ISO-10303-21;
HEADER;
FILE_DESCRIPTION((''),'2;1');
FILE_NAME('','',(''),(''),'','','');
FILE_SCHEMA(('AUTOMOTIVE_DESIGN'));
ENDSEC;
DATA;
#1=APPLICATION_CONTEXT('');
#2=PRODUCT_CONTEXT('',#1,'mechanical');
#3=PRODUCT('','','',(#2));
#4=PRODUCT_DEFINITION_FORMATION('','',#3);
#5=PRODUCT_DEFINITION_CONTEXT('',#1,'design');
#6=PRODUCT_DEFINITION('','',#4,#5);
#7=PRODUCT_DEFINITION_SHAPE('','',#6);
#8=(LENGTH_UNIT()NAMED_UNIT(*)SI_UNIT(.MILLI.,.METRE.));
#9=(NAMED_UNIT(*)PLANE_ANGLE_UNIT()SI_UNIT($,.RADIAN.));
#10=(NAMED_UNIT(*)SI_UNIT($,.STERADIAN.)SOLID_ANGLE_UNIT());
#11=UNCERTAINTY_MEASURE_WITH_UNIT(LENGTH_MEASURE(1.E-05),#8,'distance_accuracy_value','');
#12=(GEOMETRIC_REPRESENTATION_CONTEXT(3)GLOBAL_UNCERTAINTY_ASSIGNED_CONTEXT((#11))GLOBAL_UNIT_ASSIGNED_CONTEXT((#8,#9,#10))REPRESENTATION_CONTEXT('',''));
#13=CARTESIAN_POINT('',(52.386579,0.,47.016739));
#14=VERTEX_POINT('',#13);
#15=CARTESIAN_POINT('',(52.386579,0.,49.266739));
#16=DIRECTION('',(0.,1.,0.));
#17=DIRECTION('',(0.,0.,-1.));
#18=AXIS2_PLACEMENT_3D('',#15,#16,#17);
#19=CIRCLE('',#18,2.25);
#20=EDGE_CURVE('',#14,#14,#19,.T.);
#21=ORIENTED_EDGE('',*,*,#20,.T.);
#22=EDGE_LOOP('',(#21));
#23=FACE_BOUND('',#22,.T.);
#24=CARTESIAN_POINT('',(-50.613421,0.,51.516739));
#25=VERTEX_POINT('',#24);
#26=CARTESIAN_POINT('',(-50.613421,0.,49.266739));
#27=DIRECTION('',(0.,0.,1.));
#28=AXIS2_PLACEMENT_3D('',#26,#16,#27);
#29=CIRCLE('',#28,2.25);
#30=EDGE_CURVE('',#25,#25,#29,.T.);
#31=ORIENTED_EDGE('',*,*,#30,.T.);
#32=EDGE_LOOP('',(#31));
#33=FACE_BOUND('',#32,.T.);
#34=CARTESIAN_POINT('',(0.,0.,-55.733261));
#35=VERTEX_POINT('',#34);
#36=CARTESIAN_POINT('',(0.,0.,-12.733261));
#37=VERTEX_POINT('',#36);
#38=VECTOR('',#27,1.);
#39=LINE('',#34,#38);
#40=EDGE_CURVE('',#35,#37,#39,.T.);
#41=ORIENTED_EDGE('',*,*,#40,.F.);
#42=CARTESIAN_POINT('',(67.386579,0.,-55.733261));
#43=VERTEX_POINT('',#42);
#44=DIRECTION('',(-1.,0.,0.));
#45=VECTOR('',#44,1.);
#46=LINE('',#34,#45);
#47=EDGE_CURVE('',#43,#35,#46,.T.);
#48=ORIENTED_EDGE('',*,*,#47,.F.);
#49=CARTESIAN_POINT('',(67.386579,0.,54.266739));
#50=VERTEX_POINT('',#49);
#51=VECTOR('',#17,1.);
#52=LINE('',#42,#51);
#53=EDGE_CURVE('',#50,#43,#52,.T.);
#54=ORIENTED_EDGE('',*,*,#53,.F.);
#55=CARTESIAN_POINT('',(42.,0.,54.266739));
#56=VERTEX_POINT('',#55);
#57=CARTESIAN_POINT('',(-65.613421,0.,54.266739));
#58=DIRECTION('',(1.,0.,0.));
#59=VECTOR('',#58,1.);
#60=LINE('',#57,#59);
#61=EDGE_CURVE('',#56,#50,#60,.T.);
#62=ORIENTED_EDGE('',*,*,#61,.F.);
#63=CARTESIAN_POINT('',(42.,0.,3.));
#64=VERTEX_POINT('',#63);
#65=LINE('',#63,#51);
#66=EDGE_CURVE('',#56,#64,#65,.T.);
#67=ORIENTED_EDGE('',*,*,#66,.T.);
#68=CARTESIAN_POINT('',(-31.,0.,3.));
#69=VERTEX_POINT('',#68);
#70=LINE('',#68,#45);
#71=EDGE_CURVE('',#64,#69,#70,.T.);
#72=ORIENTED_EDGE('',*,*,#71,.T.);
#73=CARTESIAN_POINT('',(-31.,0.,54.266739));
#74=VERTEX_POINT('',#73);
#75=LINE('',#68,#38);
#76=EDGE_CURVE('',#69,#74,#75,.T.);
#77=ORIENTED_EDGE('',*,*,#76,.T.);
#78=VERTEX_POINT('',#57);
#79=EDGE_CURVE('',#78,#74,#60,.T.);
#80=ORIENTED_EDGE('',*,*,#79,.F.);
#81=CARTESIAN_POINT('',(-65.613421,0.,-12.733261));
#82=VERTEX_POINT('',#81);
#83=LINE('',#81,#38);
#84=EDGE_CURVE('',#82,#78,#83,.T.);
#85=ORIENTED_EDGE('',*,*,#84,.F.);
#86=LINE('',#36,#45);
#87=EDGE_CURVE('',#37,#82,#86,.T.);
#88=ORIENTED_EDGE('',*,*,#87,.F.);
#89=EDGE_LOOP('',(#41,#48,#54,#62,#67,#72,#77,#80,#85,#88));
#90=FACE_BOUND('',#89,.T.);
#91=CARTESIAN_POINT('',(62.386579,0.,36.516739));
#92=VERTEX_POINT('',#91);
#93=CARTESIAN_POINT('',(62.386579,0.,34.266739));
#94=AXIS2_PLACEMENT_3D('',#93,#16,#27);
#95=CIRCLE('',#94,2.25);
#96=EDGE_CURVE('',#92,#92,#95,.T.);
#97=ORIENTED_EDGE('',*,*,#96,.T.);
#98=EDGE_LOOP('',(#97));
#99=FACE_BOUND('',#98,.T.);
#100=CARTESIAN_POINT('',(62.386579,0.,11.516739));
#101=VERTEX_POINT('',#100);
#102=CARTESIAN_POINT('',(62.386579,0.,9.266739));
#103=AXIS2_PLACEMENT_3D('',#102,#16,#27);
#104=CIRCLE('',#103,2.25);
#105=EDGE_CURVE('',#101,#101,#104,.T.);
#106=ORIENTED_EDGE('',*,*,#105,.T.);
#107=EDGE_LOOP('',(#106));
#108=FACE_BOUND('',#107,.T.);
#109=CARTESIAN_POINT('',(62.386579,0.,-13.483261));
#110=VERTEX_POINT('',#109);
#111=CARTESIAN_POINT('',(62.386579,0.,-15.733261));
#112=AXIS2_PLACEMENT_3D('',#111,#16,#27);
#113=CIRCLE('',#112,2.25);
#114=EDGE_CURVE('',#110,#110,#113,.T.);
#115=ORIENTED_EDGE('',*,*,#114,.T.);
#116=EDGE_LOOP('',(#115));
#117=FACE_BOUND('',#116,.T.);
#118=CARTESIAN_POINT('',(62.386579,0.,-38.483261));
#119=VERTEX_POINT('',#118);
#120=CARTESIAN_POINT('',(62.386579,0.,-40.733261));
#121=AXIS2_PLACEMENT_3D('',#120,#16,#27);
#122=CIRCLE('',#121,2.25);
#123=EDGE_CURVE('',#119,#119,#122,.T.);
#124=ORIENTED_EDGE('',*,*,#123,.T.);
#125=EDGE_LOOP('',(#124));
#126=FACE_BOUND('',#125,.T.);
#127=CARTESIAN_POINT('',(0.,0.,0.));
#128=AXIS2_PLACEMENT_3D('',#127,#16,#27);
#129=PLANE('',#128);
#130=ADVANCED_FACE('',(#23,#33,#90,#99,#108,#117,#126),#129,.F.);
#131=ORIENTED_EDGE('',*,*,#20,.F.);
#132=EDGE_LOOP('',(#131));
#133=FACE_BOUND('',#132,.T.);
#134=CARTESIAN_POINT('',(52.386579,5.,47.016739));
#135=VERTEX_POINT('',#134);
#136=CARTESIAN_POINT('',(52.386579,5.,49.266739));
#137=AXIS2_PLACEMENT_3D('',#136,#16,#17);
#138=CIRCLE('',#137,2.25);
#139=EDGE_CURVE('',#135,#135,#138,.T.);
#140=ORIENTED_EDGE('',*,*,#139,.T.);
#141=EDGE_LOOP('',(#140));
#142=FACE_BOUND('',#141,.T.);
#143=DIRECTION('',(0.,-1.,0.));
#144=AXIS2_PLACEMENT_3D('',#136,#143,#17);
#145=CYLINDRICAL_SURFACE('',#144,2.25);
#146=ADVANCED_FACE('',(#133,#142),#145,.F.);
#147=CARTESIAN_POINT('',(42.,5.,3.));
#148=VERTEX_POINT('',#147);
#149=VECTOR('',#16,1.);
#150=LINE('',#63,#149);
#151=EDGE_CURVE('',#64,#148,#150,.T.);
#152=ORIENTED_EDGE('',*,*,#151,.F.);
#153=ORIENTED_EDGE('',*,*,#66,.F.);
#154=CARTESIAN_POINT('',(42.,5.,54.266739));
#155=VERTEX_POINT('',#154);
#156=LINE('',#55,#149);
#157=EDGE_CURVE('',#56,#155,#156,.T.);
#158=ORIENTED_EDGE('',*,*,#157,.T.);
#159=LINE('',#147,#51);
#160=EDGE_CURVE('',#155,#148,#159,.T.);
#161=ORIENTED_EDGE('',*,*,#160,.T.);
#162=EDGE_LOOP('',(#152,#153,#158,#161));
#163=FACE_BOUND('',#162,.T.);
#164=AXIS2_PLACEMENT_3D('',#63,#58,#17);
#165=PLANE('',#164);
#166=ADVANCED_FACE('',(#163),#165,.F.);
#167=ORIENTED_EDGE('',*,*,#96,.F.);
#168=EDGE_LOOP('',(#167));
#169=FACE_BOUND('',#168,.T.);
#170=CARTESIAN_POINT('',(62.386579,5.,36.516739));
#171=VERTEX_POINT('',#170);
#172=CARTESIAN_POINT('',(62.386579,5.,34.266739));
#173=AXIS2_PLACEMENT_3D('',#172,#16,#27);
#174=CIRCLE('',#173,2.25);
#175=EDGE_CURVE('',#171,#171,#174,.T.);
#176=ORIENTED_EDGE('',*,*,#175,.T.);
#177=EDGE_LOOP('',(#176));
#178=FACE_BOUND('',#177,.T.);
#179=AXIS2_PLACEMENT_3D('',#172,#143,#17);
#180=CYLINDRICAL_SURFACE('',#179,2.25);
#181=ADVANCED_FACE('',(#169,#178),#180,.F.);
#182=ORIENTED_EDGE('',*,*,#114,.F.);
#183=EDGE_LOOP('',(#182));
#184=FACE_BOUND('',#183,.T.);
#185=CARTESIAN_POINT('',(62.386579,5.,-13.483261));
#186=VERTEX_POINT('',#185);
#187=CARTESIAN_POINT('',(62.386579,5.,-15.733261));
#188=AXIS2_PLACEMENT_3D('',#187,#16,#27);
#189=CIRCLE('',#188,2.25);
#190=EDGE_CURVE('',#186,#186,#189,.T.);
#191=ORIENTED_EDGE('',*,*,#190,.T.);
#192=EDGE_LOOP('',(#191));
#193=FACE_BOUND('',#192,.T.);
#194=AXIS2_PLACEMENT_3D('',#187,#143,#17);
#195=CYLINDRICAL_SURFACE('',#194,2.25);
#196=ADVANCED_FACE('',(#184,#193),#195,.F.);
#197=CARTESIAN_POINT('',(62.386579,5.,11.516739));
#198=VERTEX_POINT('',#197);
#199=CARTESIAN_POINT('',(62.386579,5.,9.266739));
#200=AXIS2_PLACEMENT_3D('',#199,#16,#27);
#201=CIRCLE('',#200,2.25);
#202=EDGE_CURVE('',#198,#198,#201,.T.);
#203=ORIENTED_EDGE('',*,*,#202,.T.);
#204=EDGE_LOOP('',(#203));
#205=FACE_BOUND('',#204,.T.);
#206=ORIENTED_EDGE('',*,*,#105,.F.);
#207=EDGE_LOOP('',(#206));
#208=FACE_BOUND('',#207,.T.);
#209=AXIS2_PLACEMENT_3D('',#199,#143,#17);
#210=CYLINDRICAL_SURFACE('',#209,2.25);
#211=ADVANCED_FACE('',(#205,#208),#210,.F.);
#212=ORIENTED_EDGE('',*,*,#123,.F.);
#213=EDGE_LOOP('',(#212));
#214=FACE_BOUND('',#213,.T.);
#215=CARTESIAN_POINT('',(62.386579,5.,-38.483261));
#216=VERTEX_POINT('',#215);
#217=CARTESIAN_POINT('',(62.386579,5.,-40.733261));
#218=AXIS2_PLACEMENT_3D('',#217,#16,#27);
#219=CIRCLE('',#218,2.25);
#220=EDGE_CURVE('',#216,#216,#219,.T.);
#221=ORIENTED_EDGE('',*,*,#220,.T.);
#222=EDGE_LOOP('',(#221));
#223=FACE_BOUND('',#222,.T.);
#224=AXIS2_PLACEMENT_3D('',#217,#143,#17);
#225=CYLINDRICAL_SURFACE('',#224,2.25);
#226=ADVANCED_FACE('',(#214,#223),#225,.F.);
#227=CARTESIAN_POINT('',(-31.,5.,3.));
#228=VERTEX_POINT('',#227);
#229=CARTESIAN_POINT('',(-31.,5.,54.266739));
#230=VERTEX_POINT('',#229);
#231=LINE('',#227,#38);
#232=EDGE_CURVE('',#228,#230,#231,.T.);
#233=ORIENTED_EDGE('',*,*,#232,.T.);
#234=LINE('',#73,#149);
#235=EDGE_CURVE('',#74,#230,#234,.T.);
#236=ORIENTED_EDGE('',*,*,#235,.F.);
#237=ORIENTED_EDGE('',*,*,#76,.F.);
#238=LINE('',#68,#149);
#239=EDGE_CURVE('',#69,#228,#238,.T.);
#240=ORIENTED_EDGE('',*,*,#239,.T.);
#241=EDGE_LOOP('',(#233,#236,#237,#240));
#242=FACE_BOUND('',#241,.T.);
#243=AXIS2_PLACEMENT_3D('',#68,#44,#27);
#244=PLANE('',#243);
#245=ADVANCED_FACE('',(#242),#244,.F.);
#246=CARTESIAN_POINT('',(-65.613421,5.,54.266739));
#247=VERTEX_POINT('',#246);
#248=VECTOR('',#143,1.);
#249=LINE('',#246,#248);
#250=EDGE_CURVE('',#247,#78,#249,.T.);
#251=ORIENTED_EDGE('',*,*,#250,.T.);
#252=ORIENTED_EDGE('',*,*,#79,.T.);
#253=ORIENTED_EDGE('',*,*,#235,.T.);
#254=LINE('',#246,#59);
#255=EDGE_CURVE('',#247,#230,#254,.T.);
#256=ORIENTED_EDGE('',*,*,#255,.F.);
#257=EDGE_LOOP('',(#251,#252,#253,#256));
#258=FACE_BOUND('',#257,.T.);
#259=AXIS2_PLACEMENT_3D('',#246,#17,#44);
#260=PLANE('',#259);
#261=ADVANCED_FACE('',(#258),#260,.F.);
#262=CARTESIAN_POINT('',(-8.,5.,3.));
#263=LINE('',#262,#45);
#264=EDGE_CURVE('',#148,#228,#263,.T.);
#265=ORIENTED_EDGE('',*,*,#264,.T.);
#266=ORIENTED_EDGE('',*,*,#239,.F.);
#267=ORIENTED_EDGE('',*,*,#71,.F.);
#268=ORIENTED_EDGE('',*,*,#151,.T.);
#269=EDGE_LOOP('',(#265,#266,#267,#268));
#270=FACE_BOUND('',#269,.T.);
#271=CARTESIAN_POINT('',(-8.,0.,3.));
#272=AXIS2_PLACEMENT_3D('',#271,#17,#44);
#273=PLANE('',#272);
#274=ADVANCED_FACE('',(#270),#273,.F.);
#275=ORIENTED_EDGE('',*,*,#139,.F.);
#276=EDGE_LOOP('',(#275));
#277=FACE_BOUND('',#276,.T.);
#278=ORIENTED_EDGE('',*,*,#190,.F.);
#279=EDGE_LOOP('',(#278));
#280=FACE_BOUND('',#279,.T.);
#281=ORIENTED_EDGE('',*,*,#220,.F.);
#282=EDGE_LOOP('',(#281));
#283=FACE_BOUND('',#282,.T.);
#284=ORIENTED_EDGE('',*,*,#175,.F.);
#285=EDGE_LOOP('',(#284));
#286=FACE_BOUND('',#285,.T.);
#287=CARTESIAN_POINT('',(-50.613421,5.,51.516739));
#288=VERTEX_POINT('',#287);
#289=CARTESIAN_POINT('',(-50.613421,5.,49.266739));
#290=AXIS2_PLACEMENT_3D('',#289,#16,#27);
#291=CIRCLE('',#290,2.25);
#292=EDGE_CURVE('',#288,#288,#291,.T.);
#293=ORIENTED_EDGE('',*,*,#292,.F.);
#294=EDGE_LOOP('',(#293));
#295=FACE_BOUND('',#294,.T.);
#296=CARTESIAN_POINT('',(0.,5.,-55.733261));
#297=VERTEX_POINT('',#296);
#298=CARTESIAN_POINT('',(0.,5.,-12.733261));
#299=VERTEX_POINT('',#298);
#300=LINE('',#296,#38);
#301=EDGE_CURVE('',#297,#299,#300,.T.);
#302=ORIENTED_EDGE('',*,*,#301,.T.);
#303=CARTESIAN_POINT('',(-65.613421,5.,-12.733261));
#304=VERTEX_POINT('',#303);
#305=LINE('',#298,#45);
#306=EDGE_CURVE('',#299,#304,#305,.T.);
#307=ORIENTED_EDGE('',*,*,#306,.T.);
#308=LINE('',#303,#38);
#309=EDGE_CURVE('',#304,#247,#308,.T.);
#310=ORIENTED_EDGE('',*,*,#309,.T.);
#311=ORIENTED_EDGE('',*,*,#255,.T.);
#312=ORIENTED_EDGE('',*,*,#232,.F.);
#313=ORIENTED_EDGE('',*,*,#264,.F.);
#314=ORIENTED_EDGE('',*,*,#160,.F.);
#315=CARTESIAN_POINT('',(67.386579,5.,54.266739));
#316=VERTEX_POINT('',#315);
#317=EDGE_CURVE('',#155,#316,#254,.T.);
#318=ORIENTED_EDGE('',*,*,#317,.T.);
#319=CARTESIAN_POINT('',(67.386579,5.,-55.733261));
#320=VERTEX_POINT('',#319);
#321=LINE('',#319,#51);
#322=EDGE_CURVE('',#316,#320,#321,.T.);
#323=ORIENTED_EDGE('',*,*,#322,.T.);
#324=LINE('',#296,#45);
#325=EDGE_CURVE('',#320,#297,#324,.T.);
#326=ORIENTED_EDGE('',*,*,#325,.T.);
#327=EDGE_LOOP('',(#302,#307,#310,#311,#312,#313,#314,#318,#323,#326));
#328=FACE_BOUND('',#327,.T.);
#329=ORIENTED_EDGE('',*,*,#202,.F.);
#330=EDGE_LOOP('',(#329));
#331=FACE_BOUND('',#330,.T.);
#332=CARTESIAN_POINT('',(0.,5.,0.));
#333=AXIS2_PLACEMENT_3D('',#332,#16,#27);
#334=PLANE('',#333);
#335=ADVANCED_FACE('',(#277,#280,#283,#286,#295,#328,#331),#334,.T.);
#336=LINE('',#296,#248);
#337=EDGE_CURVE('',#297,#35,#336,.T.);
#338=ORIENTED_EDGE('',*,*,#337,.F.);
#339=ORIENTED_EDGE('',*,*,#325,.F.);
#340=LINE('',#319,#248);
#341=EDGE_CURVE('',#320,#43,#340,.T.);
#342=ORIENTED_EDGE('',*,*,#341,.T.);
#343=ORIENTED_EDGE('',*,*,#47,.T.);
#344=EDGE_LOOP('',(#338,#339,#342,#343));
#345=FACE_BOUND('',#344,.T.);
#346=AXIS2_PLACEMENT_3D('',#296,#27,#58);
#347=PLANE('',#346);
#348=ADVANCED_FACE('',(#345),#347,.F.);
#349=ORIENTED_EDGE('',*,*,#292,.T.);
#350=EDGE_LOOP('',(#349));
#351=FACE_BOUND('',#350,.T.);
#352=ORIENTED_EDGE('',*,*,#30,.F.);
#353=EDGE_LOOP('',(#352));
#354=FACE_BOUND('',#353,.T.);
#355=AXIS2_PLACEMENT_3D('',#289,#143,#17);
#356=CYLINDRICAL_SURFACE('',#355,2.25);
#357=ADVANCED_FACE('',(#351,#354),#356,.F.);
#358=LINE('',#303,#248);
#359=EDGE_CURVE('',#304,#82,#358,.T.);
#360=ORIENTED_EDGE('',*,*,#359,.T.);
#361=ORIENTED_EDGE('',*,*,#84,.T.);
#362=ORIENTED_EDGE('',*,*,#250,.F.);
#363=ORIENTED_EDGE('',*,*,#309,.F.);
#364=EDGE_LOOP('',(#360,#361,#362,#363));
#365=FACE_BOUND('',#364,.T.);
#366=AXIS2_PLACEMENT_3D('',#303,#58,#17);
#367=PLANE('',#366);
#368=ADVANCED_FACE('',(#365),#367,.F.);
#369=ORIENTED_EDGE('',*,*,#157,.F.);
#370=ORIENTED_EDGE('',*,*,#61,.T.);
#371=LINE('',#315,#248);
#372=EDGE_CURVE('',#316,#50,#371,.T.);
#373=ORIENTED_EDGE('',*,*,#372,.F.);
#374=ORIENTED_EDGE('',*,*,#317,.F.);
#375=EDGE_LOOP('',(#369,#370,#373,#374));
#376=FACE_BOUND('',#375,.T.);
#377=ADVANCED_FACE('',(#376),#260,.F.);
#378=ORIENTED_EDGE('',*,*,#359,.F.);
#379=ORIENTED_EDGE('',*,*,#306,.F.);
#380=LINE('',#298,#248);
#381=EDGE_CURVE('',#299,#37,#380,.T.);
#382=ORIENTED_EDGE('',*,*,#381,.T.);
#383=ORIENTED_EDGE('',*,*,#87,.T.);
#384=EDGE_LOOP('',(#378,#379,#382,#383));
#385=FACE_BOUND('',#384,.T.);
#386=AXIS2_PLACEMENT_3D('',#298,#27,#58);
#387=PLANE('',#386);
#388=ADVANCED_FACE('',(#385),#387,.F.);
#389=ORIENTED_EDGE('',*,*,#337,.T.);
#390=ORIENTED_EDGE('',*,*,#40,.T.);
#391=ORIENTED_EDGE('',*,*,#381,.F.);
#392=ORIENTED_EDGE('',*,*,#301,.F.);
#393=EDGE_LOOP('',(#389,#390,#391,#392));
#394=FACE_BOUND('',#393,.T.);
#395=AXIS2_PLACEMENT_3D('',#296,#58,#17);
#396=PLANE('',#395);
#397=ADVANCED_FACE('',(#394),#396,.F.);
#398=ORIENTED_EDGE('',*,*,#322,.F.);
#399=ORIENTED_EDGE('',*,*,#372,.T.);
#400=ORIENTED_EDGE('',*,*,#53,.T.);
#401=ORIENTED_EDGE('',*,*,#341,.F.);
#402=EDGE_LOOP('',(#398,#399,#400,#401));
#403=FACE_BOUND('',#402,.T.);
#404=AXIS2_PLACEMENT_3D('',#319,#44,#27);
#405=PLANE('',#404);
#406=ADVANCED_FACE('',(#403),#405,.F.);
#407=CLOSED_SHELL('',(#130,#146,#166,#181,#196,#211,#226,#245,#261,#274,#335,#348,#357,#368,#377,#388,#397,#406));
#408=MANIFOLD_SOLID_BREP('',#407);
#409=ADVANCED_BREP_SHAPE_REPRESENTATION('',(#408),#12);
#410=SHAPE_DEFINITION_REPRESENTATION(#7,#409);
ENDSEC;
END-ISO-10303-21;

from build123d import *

# Parameters (mm, degrees)
SKETCH1_R           = 2.25
BOSS_EXTRUDE1_DEPTH = 5
CUT_EXTRUDE1_DEPTH  = 5


with BuildPart() as part:
    # Sketch1 → Boss-Extrude1 (new body)
    with BuildSketch(Plane(origin=(0, 0, 0), x_dir=(1, 0, 0), z_dir=(0, 1, 0))):
        Polygon((0, 55.733260811), (0, 12.733260811), (-65.613421019, 12.733260811), (-65.613421019, -54.266739189), (67.386578981, -54.266739189), (67.386578981, 55.733260811), align=None)
        with Locations((62.386578981, 40.733260811)):
            Circle(SKETCH1_R, mode=Mode.SUBTRACT)
        with Locations((62.386578981, 15.733260811)):
            Circle(SKETCH1_R, mode=Mode.SUBTRACT)
        with Locations((62.386578981, -9.266739189)):
            Circle(SKETCH1_R, mode=Mode.SUBTRACT)
        with Locations((62.386578981, -34.266739189)):
            Circle(SKETCH1_R, mode=Mode.SUBTRACT)
        with Locations((0.886578981, -49.266739189)):
            Circle(SKETCH1_R, mode=Mode.SUBTRACT)
        with Locations((-50.613421019, -49.266739189)):
            Circle(SKETCH1_R, mode=Mode.SUBTRACT)
        with Locations((52.386578981, -49.266739189)):
            Circle(SKETCH1_R, mode=Mode.SUBTRACT)
    extrude(amount=BOSS_EXTRUDE1_DEPTH)

    # Sketch2 → Cut-Extrude1 (cut)
    with BuildSketch(Plane(origin=(0, 5, 0), x_dir=(1, 0, 0), z_dir=(0, 1, 0))):
        Polygon((-8, -3), (42, -3), (42, -54.266739189), (-8, -54.266739189), (-31, -54.266739189), (-31, -3), align=None)
    extrude(amount=-CUT_EXTRUDE1_DEPTH, mode=Mode.SUBTRACT)


solid = part.part
